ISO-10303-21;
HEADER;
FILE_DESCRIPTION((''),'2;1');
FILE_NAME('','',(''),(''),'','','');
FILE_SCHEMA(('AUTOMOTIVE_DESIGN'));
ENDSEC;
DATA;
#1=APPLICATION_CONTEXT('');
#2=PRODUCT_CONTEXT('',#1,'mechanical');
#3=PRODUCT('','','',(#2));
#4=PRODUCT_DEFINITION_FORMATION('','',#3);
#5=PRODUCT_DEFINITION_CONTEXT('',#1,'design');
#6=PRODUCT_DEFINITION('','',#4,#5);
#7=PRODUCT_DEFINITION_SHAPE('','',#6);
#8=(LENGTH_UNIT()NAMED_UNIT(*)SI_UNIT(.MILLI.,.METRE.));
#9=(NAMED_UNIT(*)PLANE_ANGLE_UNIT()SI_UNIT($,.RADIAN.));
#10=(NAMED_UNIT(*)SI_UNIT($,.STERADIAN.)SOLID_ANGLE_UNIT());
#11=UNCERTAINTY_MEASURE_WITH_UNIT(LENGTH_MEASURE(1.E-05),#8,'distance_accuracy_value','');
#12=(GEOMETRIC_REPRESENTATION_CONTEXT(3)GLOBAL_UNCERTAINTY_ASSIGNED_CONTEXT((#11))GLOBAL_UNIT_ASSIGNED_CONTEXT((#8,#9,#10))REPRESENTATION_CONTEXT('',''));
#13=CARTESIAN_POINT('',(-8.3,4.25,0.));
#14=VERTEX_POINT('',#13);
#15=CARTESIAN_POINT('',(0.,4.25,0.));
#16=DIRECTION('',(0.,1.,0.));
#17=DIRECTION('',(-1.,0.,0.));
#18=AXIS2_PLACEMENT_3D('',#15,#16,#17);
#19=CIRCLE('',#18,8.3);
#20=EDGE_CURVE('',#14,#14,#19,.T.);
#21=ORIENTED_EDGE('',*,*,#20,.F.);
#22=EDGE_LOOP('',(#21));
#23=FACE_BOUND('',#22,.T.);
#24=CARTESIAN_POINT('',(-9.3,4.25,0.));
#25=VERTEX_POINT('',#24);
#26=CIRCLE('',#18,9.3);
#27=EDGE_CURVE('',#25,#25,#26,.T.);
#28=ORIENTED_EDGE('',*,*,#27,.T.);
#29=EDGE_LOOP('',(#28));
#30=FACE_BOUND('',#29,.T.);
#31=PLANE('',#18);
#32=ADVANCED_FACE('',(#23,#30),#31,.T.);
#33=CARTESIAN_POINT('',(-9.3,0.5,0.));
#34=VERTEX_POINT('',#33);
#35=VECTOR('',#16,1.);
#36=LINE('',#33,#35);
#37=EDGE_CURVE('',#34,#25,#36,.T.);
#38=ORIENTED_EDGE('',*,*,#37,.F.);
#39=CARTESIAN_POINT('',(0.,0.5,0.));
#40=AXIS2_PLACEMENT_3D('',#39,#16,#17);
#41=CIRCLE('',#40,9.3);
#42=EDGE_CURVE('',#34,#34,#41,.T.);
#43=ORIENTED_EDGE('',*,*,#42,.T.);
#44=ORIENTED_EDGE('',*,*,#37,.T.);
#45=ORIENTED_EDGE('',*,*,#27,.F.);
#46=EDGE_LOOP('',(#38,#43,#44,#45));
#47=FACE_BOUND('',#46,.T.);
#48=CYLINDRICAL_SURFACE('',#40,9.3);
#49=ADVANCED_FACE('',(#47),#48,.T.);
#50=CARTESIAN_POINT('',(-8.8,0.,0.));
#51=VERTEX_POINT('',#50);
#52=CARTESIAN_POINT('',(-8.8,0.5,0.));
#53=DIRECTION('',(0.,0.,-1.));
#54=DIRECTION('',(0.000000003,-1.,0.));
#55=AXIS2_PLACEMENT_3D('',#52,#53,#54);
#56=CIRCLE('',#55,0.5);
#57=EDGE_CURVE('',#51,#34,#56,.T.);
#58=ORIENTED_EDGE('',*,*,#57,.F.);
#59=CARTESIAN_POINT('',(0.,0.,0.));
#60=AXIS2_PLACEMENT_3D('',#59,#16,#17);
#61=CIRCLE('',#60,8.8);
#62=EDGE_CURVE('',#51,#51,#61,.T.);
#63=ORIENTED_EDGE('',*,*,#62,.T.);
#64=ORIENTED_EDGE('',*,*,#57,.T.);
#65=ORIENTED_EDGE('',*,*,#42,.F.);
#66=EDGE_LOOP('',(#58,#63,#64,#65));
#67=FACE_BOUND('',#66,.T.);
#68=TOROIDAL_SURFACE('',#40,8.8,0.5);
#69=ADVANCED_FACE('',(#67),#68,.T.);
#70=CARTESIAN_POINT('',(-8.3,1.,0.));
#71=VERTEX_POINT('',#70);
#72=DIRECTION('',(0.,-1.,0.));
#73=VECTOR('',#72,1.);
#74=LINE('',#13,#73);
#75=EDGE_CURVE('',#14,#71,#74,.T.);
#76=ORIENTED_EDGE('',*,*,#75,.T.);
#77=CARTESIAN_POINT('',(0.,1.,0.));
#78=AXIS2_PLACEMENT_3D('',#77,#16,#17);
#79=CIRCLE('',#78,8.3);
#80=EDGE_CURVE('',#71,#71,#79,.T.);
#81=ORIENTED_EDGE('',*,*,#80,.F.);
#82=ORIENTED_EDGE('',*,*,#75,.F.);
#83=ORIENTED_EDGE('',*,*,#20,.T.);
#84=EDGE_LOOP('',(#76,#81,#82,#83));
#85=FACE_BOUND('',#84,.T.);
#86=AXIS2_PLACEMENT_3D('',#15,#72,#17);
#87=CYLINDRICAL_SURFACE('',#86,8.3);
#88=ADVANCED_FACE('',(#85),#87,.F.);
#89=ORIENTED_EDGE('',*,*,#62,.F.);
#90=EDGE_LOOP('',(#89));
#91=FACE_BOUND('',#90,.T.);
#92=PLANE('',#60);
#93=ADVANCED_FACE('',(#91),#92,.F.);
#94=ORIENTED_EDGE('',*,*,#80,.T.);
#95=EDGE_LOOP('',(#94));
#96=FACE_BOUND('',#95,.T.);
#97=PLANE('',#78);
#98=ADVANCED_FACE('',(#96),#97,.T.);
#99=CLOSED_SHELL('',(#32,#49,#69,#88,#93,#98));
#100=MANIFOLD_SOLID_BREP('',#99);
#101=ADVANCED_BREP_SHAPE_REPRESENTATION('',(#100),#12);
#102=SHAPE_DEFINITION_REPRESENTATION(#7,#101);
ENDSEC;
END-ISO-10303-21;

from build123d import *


with BuildPart() as part:
    # Sketch1 → Revolve1 (revolve)
    with BuildSketch(Plane.XY):
        with BuildLine():
            Line((0, 0), (-8.8, 0))
            ThreePointArc((-8.8, 0), (-9.153553391, 0.146446609), (-9.3, 0.5))
            Line((-9.3, 0.5), (-9.3, 4.25))
            Line((-9.3, 4.25), (-8.3, 4.25))
            Line((-8.3, 4.25), (-8.3, 1))
            Line((-8.3, 1), (-1, 1))
            Line((-1, 1), (0, 1))
            Line((0, 1), (0, 0.9))
            Line((0, 0.9), (0, 0))
        make_face()
    revolve(axis=Axis((0, 1, 0), (0, 1, 0)))


solid = part.part
